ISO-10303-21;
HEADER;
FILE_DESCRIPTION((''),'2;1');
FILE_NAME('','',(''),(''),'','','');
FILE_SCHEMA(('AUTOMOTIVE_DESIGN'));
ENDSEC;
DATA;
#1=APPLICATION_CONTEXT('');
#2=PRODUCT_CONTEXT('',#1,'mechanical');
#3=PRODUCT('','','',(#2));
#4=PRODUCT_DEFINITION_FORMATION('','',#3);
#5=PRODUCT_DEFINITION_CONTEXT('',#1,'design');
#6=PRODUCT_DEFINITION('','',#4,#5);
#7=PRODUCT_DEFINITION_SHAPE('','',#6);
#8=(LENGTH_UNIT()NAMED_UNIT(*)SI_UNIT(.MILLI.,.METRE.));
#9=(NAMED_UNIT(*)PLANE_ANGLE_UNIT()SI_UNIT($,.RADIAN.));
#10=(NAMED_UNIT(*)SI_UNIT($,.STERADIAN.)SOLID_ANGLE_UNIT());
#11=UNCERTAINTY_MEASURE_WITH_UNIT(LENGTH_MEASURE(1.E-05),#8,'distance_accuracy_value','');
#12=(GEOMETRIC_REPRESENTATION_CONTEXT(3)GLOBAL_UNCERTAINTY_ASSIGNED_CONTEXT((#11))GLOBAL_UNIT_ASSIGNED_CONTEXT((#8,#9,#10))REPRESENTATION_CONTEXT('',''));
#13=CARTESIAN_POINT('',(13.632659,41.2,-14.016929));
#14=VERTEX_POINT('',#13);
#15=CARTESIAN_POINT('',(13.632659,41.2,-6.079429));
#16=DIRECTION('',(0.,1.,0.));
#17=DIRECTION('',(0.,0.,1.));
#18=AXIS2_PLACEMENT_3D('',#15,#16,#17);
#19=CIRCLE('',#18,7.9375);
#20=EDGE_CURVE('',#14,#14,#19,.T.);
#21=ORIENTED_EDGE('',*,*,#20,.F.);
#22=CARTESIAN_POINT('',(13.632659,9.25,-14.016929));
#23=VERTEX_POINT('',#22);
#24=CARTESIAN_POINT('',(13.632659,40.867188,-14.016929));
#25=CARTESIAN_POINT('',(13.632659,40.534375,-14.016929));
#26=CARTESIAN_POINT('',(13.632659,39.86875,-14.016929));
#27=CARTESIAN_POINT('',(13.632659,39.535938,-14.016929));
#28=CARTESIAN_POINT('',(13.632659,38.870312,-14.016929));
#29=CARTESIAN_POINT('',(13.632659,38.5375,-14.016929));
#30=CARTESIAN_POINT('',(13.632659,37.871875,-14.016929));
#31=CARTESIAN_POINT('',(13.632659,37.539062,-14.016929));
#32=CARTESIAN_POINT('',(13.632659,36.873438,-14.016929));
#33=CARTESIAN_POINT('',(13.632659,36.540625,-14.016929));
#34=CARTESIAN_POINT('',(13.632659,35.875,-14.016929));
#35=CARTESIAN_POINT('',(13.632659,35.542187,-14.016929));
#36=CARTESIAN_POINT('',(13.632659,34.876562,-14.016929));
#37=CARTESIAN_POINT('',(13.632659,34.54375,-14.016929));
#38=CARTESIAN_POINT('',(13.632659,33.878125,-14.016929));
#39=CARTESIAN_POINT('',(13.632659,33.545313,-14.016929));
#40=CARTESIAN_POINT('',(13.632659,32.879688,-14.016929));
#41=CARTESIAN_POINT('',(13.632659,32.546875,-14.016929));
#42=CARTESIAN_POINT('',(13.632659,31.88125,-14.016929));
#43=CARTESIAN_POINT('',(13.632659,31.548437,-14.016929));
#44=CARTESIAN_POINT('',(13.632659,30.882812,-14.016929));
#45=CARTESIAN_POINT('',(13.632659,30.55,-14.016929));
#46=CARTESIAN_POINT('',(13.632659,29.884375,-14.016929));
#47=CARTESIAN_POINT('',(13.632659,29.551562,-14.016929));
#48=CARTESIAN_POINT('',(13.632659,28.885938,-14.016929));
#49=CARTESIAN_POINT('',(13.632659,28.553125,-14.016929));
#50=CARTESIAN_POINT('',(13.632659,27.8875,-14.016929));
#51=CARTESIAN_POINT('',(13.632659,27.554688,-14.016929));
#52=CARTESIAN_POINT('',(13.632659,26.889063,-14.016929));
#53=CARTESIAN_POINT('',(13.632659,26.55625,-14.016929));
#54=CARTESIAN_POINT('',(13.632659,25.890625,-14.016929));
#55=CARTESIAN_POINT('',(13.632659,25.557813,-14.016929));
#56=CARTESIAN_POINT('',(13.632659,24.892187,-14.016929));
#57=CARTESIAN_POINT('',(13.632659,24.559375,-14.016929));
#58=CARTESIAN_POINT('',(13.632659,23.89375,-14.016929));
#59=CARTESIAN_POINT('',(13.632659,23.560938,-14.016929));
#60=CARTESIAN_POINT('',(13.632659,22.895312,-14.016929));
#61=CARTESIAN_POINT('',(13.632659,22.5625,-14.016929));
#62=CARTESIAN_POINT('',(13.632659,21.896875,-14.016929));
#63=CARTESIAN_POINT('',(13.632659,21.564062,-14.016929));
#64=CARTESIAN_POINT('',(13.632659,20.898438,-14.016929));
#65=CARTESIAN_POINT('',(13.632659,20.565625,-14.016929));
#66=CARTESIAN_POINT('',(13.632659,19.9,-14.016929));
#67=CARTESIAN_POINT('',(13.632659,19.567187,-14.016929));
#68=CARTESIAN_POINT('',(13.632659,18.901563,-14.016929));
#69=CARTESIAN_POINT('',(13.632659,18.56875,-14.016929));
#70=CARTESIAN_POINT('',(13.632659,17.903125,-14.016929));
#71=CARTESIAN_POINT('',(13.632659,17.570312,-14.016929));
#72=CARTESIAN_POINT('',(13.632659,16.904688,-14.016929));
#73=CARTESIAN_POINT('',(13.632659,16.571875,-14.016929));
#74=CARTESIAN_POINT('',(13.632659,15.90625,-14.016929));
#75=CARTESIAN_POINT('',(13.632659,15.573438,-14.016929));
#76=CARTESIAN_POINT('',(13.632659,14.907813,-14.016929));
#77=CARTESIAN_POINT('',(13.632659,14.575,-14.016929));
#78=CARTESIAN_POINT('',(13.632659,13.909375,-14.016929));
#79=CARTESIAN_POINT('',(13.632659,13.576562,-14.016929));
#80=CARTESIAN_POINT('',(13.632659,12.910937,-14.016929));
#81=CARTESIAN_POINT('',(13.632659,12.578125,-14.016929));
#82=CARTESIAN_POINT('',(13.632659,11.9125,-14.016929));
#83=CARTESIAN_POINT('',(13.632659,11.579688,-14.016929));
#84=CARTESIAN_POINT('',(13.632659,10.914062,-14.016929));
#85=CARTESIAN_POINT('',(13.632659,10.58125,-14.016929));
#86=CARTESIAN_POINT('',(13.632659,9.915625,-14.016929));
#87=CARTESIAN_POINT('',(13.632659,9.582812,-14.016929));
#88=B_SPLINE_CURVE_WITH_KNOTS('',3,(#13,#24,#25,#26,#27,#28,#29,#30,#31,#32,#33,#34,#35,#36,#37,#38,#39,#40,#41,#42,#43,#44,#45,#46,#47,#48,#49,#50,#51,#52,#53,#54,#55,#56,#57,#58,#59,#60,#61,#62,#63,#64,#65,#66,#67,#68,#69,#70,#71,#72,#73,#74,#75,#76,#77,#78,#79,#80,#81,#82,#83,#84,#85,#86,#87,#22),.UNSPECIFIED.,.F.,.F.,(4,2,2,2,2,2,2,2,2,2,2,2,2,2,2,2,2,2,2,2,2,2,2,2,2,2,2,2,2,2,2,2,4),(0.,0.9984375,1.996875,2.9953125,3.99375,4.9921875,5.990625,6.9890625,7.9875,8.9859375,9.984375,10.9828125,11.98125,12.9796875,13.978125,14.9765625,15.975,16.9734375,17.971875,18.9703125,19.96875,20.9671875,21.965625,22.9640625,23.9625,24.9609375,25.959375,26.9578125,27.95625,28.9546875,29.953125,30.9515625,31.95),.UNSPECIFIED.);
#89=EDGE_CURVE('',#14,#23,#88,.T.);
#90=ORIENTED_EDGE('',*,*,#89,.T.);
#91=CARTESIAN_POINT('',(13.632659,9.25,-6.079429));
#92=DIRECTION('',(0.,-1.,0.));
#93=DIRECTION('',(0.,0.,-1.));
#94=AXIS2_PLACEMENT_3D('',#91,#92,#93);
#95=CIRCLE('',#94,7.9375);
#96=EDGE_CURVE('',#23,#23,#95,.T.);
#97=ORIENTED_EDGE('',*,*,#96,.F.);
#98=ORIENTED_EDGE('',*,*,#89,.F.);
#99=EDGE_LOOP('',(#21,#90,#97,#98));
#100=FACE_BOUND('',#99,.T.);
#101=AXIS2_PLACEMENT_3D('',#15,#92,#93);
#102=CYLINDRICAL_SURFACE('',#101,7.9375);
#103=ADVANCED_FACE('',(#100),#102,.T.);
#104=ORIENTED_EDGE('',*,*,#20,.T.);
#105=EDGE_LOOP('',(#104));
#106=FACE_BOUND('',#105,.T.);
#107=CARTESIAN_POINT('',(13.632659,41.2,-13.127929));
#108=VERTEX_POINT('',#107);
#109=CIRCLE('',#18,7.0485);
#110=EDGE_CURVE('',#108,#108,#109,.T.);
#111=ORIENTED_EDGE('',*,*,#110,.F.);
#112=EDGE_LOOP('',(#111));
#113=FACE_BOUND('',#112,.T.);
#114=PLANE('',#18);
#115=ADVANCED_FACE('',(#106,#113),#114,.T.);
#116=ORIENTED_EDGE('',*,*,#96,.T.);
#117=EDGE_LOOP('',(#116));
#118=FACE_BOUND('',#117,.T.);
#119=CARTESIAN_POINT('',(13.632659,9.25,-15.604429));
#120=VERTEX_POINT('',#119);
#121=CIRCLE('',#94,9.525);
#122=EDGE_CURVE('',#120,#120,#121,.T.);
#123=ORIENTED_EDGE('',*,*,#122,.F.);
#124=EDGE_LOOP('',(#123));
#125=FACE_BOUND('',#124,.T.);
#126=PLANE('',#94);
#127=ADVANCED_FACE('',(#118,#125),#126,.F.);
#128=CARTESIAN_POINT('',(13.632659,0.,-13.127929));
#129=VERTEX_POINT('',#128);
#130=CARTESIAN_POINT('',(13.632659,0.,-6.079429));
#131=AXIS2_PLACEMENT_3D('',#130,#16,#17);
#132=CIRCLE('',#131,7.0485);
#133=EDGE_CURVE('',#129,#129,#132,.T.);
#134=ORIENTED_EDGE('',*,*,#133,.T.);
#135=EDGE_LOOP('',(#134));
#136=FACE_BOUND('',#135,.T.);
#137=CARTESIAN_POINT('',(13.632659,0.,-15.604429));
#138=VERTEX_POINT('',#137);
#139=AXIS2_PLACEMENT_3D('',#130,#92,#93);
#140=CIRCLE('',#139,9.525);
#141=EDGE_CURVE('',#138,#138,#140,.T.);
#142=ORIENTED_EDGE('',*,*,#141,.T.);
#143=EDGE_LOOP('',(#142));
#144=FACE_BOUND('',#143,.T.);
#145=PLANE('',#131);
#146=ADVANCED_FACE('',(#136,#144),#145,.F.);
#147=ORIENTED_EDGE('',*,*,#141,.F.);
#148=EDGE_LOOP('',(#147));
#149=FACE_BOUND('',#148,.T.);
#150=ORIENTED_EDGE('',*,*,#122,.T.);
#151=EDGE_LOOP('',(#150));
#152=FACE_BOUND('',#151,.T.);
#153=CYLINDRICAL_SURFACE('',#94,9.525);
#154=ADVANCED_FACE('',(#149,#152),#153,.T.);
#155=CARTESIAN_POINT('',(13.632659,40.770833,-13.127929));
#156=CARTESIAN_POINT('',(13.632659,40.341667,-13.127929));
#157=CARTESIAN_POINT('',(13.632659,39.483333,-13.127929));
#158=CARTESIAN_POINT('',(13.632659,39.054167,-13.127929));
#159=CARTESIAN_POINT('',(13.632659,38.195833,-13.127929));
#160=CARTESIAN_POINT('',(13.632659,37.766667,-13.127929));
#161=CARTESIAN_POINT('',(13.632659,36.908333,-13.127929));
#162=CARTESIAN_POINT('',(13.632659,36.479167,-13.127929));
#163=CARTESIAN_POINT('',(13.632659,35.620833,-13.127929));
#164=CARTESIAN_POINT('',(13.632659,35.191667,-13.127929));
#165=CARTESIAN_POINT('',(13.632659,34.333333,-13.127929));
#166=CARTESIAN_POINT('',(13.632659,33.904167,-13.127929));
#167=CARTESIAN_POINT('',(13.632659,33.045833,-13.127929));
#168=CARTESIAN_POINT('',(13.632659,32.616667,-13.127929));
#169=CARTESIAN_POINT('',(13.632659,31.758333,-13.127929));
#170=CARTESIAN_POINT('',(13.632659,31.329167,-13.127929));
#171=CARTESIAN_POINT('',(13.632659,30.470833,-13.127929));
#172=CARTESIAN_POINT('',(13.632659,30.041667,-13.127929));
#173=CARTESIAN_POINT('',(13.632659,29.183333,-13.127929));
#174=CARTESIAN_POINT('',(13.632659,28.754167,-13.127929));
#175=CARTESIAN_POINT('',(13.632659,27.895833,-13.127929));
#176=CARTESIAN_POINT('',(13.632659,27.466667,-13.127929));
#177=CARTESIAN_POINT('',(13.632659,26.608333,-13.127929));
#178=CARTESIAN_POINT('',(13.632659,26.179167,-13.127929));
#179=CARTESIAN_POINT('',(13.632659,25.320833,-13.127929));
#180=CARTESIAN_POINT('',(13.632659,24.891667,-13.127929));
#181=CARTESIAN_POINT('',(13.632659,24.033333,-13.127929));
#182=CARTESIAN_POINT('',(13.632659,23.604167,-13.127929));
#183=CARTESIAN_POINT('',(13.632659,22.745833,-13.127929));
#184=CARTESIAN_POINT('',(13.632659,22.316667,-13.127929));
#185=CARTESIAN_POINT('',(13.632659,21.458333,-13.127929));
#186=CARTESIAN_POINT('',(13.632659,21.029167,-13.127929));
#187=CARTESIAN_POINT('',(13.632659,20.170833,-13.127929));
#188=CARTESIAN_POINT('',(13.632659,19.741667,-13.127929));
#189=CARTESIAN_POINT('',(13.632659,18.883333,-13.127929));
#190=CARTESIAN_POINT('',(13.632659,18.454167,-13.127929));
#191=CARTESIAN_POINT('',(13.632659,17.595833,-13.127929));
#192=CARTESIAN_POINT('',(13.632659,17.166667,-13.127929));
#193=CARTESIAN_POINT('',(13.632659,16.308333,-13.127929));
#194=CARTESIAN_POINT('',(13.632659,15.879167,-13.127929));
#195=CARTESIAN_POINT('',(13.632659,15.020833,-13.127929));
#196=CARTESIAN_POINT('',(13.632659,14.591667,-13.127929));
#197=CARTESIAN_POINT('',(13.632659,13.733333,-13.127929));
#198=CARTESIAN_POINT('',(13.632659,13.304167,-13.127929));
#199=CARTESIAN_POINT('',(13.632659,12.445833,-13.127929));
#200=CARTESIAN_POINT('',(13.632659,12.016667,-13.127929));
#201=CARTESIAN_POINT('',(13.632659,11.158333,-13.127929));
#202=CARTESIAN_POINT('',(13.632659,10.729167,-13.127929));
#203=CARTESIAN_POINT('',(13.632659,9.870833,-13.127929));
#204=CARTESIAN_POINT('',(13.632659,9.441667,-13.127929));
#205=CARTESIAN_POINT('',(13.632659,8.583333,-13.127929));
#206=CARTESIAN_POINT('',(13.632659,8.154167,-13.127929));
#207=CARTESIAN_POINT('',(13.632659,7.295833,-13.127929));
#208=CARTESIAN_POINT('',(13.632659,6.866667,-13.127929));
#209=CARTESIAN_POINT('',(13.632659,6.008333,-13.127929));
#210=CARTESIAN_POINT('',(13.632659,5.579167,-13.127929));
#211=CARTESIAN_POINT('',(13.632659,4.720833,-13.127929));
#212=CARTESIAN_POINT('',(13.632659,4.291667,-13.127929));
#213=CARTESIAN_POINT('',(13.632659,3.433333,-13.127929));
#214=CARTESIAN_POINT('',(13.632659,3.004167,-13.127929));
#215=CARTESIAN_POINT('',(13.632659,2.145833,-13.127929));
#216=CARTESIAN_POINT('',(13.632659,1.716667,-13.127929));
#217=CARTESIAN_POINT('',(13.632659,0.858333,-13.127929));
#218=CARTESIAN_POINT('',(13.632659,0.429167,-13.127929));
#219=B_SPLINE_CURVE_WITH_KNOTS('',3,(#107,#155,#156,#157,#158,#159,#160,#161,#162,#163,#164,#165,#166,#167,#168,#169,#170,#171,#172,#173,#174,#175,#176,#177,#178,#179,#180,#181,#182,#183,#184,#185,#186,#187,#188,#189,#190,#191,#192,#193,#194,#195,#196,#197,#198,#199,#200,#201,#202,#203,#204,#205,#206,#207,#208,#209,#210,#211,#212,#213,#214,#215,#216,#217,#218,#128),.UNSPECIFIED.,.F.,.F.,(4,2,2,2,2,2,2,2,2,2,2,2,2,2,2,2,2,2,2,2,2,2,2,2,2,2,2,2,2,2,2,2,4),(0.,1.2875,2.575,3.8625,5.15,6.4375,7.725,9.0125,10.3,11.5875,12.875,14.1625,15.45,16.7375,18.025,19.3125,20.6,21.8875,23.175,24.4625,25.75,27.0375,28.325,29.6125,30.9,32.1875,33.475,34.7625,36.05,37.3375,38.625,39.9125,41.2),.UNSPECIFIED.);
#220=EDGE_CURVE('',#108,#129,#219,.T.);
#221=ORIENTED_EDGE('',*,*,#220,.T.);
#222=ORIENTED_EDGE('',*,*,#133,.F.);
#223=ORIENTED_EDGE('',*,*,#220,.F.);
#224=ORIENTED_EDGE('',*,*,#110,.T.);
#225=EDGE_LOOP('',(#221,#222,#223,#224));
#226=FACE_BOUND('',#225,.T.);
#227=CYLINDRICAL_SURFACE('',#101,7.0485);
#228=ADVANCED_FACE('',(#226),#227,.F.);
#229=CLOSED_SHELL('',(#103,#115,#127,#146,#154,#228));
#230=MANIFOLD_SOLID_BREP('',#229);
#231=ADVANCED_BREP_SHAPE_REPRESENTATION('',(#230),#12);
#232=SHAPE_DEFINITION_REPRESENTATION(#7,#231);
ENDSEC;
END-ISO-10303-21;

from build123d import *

# Parameters (mm, degrees)
SKETCH1_R           = 7.9375
SKETCH1_R_2         = 7.0485
BOSS_EXTRUDE1_DEPTH = 41.2
SKETCH2_R           = 9.525
SKETCH2_R_2         = 7.9375
BOSS_EXTRUDE2_DEPTH = 9.25


with BuildPart() as part:
    # Sketch1 → Boss-Extrude1 (new body)
    with BuildSketch(Plane(origin=(0, 0, 0), x_dir=(1, 0, 0), z_dir=(0, 1, 0))):
        with Locations(Location((13.632659162, 6.079429086, 0), (0, 0, 90))):
            Circle(SKETCH1_R)
        with Locations(Location((13.632659162, 6.079429086, 0), (0, 0, 90))):
            Circle(SKETCH1_R_2, mode=Mode.SUBTRACT)
    extrude(amount=BOSS_EXTRUDE1_DEPTH)

    # Sketch2 → Boss-Extrude2 (add)
    with BuildSketch(Plane.XZ):
        with Locations(Location((13.632659162, -6.079429086, 0), (0, 0, 270))):
            Circle(SKETCH2_R)
        with Locations(Location((13.632659162, -6.079429086, 0), (0, 0, 270))):
            Circle(SKETCH2_R_2, mode=Mode.SUBTRACT)
    extrude(amount=-BOSS_EXTRUDE2_DEPTH)


solid = part.part
